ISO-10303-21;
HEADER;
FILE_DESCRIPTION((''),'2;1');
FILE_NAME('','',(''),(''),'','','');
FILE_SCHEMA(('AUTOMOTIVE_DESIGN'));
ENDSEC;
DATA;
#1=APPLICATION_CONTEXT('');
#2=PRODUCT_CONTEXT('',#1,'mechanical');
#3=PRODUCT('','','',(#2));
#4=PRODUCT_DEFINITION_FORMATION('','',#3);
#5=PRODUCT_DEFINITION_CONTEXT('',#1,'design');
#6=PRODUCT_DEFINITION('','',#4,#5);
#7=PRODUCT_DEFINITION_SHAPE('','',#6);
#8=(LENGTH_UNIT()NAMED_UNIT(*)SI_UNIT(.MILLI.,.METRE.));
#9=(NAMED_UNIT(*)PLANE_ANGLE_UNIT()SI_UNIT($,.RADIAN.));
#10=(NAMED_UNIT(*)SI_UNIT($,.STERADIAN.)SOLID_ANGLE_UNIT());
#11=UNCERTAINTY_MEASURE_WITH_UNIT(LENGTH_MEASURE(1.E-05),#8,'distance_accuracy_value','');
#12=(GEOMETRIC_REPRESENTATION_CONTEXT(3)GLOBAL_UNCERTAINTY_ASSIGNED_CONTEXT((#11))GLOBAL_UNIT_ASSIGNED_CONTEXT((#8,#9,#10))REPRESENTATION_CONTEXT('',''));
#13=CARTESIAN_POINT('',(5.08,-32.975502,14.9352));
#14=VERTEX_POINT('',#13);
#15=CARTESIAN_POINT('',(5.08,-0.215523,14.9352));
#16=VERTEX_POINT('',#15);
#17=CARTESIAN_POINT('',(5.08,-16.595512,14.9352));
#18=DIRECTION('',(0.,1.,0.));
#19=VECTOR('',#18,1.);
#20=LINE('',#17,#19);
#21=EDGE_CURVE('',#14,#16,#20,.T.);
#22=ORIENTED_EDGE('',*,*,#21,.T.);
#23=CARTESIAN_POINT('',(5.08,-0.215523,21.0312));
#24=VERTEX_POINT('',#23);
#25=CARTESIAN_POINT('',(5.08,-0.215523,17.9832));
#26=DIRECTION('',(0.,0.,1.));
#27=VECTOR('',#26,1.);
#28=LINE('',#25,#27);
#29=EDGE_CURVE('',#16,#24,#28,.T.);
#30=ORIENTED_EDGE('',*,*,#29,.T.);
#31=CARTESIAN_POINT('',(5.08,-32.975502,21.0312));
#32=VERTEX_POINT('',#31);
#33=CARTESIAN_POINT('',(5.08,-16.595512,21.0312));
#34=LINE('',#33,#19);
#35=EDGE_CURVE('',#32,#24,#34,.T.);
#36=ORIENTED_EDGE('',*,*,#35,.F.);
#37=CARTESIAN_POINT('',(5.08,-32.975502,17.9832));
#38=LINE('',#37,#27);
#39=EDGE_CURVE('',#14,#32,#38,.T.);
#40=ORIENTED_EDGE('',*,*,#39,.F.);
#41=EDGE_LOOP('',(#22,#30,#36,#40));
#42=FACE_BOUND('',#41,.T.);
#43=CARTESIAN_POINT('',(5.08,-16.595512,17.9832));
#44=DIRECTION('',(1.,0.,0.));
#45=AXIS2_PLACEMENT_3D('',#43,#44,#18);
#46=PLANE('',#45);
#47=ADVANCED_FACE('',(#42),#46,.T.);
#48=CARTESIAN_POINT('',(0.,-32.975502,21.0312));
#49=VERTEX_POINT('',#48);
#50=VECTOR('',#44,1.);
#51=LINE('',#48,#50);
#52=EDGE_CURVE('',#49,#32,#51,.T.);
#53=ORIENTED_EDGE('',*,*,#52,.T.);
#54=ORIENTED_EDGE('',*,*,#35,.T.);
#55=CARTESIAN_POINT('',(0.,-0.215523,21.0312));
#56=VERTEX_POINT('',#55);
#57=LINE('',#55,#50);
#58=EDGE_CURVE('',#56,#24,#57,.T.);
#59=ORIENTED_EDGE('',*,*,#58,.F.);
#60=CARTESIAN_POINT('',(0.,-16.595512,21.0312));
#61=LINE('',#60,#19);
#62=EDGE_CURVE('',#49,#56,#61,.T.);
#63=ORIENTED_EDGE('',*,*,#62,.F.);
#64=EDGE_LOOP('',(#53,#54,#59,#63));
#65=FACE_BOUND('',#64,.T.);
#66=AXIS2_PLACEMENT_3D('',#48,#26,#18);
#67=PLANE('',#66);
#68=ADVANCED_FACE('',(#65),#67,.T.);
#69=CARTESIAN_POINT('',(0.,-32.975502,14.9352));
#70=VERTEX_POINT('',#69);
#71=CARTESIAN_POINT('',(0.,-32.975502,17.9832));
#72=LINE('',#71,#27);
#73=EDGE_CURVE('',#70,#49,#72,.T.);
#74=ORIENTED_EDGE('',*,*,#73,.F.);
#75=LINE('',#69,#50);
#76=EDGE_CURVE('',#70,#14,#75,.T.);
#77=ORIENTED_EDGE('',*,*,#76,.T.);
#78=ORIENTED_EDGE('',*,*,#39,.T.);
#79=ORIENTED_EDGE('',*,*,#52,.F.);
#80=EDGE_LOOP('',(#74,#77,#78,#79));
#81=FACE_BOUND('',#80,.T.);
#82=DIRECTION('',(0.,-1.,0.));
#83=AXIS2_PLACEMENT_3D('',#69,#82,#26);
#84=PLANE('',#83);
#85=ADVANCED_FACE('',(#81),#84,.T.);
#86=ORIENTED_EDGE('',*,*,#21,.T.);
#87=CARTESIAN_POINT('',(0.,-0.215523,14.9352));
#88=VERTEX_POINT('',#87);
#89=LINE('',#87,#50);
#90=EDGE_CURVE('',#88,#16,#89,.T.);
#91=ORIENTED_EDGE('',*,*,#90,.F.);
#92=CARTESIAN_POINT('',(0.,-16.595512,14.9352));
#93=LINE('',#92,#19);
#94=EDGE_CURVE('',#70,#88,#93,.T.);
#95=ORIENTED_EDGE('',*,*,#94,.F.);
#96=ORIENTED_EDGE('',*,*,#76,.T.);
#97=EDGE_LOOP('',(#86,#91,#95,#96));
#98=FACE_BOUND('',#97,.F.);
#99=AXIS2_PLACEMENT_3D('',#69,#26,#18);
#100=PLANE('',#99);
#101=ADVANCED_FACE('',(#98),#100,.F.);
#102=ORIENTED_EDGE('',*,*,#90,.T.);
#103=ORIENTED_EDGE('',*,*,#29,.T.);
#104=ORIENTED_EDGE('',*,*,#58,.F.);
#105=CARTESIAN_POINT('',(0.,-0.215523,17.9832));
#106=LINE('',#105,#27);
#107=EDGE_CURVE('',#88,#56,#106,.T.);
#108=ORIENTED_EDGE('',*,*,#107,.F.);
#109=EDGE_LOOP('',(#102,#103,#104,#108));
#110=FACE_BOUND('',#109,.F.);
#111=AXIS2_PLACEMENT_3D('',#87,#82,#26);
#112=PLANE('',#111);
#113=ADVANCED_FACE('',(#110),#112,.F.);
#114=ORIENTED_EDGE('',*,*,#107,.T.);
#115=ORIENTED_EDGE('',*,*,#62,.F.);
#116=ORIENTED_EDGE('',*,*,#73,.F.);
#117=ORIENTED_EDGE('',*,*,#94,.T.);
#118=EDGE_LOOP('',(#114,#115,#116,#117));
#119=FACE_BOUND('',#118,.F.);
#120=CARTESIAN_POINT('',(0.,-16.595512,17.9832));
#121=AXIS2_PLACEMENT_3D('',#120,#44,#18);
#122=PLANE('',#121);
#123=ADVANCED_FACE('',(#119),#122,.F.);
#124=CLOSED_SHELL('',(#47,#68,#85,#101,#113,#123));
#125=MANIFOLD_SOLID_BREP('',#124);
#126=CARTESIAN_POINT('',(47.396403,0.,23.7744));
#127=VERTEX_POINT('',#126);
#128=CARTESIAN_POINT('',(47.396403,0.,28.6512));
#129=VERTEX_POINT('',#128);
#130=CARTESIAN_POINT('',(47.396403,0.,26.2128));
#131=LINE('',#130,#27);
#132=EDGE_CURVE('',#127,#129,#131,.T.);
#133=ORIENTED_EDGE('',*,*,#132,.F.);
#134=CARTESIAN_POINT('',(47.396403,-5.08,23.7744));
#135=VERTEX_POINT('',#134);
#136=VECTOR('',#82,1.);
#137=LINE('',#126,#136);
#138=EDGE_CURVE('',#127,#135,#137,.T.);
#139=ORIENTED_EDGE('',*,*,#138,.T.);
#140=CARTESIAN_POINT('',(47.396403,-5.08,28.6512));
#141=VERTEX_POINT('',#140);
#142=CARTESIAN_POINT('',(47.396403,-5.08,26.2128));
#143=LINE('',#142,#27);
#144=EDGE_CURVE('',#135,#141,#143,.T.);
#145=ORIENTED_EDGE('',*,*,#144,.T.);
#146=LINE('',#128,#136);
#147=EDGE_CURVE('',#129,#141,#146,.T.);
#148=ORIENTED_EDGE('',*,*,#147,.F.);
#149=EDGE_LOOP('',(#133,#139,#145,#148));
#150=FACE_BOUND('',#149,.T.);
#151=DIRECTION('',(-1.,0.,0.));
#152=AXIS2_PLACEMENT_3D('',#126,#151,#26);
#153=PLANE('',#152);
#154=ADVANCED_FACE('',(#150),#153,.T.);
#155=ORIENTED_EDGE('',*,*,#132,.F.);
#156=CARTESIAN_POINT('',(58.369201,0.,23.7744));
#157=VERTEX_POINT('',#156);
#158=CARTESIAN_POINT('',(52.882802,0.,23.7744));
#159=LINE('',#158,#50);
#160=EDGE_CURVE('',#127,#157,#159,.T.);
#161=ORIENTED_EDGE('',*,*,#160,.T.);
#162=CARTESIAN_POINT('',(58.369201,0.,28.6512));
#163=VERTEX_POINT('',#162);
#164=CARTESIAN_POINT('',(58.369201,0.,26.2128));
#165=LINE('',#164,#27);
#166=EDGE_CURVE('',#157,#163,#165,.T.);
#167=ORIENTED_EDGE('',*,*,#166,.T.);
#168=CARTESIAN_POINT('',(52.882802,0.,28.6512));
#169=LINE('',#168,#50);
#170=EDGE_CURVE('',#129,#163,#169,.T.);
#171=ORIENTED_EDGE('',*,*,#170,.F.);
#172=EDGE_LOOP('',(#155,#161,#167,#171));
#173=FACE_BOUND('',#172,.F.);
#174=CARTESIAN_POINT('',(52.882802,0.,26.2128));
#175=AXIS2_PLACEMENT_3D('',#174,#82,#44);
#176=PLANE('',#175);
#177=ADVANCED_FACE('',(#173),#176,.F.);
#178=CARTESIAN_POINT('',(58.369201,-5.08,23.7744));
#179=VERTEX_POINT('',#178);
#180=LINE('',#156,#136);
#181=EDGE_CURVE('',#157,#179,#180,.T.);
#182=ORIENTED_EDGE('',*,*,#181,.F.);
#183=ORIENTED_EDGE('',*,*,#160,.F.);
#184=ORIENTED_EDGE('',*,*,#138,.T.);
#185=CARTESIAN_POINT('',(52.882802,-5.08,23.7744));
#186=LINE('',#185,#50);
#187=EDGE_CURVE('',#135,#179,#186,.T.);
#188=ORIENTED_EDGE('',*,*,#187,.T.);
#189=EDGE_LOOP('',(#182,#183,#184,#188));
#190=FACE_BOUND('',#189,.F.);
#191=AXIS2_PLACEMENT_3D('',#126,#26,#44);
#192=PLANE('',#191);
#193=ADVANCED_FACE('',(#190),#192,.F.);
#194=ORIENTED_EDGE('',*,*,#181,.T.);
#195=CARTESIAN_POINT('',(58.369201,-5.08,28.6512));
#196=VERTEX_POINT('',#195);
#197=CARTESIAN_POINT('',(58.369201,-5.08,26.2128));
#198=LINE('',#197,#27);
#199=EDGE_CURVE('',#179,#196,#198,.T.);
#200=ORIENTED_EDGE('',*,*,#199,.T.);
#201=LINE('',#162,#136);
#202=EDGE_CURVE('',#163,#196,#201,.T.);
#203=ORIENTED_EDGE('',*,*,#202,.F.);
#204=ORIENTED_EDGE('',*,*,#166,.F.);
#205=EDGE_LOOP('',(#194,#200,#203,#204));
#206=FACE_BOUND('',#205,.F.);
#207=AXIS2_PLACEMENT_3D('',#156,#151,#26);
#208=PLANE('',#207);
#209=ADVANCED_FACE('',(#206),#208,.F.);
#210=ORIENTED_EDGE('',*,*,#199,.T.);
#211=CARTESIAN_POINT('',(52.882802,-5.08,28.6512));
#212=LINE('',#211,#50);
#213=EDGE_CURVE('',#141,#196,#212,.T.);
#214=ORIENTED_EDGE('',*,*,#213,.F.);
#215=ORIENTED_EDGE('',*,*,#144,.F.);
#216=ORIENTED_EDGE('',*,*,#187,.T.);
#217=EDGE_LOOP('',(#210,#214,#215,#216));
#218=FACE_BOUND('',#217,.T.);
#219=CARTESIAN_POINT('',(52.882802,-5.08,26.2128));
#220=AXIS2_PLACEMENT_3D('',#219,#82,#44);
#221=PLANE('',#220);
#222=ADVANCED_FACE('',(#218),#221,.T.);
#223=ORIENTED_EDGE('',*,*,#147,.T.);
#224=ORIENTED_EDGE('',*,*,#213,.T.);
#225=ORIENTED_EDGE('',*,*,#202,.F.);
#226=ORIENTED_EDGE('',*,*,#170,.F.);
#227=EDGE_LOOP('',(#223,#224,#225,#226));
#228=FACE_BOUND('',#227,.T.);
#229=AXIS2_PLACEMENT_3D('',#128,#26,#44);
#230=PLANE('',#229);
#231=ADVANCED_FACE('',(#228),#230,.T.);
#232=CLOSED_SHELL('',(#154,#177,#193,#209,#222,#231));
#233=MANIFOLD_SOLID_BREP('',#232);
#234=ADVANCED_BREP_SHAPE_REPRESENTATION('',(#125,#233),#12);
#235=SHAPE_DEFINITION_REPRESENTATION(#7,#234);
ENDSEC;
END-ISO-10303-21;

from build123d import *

# Parameters (mm, degrees)
F0_W     = 32.759979
F0_H     = 6.096
F1_DEPTH = 5.08
F2_W     = 10.972798
F2_H     = 4.8768
F3_DEPTH = 5.08


with BuildPart() as f1:
    # F0 (on Right) → F1 (new body)
    with BuildSketch(Plane.YZ):
        with Locations((-16.595512, 17.9832)):
            Rectangle(F0_W, F0_H)
    extrude(amount=F1_DEPTH)


with BuildPart() as f3:
    # F2 (on Front) → F3 (new body)
    with BuildSketch(Plane.XZ):
        with Locations((52.882802, 26.2128)):
            Rectangle(F2_W, F2_H)
    extrude(amount=F3_DEPTH)


solid = Compound([f1.part, f3.part])
